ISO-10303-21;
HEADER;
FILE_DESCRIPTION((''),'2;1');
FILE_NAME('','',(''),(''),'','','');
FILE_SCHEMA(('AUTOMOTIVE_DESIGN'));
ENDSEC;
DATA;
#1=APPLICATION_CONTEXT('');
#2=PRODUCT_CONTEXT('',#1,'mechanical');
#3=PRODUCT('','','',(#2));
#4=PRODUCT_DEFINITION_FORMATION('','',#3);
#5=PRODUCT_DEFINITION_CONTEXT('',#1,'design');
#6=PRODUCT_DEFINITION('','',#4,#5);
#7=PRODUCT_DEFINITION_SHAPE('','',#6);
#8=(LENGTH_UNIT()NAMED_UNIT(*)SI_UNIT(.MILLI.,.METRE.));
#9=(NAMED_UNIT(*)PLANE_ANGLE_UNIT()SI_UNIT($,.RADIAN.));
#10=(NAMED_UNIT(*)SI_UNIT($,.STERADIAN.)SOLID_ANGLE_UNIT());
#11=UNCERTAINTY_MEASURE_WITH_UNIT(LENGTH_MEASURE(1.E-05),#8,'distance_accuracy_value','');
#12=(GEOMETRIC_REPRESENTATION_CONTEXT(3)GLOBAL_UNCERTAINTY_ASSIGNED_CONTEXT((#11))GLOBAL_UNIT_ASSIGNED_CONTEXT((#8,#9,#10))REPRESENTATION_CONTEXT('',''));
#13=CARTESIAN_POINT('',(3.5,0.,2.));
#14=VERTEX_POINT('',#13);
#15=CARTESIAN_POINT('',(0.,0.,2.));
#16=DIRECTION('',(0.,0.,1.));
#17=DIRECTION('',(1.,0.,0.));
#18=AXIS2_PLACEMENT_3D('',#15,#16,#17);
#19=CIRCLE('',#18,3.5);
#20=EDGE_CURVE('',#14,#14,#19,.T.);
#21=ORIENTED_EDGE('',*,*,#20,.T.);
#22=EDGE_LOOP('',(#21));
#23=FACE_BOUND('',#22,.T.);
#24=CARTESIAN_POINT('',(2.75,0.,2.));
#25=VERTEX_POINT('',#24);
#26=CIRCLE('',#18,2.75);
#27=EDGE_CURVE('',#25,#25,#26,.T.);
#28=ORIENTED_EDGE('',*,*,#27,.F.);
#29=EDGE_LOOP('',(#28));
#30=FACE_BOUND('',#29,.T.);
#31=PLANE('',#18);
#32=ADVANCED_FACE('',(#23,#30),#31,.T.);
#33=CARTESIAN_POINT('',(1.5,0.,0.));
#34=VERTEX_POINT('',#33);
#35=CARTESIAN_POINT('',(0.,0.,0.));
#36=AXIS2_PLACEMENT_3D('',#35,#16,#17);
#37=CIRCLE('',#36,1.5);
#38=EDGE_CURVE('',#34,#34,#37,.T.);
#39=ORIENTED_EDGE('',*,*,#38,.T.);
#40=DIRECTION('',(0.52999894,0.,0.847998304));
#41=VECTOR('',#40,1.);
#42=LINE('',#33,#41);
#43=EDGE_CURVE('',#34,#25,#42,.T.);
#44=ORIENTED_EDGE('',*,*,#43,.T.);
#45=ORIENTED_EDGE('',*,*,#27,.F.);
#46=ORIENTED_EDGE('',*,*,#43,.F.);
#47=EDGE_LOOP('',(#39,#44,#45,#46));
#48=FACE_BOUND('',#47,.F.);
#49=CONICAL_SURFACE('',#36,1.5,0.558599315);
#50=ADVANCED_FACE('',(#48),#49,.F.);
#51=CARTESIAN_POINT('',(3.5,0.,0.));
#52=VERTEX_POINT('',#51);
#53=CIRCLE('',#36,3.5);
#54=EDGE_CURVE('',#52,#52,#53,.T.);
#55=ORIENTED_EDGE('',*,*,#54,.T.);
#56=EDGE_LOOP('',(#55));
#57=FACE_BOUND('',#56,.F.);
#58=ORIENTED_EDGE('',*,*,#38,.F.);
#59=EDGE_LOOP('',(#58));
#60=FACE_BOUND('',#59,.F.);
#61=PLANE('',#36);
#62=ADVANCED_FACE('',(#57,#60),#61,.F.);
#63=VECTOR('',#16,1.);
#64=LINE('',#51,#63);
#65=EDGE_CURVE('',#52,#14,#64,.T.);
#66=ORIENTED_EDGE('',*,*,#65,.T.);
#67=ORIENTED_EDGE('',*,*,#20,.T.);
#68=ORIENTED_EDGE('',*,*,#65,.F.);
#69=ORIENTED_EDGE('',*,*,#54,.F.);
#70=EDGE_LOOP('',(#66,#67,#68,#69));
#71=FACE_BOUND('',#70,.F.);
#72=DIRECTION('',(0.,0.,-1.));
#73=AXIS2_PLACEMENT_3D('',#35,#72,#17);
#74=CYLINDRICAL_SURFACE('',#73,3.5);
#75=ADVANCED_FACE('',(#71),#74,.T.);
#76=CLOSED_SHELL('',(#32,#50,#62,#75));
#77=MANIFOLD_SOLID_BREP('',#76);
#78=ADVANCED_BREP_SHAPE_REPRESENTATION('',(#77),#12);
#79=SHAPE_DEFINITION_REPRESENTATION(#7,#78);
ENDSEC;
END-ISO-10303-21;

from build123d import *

# Parameters (mm, degrees)
SKETCH_R  = 3.5
PAD_DEPTH = 2


with BuildPart() as part:
    # Sketch → Pad (new body)
    with BuildSketch(Plane.XY):
        Circle(SKETCH_R)
    extrude(amount=PAD_DEPTH)

    # Cone → Cone (revolve, cut)
    with BuildSketch(Plane.XZ):
        Polygon((0, 0), (1.5, 0), (2.75, 2), (0, 2), align=None)
    revolve(axis=Axis((0, 0, 0), (0, 0, 1)), mode=Mode.SUBTRACT)


solid = part.part
